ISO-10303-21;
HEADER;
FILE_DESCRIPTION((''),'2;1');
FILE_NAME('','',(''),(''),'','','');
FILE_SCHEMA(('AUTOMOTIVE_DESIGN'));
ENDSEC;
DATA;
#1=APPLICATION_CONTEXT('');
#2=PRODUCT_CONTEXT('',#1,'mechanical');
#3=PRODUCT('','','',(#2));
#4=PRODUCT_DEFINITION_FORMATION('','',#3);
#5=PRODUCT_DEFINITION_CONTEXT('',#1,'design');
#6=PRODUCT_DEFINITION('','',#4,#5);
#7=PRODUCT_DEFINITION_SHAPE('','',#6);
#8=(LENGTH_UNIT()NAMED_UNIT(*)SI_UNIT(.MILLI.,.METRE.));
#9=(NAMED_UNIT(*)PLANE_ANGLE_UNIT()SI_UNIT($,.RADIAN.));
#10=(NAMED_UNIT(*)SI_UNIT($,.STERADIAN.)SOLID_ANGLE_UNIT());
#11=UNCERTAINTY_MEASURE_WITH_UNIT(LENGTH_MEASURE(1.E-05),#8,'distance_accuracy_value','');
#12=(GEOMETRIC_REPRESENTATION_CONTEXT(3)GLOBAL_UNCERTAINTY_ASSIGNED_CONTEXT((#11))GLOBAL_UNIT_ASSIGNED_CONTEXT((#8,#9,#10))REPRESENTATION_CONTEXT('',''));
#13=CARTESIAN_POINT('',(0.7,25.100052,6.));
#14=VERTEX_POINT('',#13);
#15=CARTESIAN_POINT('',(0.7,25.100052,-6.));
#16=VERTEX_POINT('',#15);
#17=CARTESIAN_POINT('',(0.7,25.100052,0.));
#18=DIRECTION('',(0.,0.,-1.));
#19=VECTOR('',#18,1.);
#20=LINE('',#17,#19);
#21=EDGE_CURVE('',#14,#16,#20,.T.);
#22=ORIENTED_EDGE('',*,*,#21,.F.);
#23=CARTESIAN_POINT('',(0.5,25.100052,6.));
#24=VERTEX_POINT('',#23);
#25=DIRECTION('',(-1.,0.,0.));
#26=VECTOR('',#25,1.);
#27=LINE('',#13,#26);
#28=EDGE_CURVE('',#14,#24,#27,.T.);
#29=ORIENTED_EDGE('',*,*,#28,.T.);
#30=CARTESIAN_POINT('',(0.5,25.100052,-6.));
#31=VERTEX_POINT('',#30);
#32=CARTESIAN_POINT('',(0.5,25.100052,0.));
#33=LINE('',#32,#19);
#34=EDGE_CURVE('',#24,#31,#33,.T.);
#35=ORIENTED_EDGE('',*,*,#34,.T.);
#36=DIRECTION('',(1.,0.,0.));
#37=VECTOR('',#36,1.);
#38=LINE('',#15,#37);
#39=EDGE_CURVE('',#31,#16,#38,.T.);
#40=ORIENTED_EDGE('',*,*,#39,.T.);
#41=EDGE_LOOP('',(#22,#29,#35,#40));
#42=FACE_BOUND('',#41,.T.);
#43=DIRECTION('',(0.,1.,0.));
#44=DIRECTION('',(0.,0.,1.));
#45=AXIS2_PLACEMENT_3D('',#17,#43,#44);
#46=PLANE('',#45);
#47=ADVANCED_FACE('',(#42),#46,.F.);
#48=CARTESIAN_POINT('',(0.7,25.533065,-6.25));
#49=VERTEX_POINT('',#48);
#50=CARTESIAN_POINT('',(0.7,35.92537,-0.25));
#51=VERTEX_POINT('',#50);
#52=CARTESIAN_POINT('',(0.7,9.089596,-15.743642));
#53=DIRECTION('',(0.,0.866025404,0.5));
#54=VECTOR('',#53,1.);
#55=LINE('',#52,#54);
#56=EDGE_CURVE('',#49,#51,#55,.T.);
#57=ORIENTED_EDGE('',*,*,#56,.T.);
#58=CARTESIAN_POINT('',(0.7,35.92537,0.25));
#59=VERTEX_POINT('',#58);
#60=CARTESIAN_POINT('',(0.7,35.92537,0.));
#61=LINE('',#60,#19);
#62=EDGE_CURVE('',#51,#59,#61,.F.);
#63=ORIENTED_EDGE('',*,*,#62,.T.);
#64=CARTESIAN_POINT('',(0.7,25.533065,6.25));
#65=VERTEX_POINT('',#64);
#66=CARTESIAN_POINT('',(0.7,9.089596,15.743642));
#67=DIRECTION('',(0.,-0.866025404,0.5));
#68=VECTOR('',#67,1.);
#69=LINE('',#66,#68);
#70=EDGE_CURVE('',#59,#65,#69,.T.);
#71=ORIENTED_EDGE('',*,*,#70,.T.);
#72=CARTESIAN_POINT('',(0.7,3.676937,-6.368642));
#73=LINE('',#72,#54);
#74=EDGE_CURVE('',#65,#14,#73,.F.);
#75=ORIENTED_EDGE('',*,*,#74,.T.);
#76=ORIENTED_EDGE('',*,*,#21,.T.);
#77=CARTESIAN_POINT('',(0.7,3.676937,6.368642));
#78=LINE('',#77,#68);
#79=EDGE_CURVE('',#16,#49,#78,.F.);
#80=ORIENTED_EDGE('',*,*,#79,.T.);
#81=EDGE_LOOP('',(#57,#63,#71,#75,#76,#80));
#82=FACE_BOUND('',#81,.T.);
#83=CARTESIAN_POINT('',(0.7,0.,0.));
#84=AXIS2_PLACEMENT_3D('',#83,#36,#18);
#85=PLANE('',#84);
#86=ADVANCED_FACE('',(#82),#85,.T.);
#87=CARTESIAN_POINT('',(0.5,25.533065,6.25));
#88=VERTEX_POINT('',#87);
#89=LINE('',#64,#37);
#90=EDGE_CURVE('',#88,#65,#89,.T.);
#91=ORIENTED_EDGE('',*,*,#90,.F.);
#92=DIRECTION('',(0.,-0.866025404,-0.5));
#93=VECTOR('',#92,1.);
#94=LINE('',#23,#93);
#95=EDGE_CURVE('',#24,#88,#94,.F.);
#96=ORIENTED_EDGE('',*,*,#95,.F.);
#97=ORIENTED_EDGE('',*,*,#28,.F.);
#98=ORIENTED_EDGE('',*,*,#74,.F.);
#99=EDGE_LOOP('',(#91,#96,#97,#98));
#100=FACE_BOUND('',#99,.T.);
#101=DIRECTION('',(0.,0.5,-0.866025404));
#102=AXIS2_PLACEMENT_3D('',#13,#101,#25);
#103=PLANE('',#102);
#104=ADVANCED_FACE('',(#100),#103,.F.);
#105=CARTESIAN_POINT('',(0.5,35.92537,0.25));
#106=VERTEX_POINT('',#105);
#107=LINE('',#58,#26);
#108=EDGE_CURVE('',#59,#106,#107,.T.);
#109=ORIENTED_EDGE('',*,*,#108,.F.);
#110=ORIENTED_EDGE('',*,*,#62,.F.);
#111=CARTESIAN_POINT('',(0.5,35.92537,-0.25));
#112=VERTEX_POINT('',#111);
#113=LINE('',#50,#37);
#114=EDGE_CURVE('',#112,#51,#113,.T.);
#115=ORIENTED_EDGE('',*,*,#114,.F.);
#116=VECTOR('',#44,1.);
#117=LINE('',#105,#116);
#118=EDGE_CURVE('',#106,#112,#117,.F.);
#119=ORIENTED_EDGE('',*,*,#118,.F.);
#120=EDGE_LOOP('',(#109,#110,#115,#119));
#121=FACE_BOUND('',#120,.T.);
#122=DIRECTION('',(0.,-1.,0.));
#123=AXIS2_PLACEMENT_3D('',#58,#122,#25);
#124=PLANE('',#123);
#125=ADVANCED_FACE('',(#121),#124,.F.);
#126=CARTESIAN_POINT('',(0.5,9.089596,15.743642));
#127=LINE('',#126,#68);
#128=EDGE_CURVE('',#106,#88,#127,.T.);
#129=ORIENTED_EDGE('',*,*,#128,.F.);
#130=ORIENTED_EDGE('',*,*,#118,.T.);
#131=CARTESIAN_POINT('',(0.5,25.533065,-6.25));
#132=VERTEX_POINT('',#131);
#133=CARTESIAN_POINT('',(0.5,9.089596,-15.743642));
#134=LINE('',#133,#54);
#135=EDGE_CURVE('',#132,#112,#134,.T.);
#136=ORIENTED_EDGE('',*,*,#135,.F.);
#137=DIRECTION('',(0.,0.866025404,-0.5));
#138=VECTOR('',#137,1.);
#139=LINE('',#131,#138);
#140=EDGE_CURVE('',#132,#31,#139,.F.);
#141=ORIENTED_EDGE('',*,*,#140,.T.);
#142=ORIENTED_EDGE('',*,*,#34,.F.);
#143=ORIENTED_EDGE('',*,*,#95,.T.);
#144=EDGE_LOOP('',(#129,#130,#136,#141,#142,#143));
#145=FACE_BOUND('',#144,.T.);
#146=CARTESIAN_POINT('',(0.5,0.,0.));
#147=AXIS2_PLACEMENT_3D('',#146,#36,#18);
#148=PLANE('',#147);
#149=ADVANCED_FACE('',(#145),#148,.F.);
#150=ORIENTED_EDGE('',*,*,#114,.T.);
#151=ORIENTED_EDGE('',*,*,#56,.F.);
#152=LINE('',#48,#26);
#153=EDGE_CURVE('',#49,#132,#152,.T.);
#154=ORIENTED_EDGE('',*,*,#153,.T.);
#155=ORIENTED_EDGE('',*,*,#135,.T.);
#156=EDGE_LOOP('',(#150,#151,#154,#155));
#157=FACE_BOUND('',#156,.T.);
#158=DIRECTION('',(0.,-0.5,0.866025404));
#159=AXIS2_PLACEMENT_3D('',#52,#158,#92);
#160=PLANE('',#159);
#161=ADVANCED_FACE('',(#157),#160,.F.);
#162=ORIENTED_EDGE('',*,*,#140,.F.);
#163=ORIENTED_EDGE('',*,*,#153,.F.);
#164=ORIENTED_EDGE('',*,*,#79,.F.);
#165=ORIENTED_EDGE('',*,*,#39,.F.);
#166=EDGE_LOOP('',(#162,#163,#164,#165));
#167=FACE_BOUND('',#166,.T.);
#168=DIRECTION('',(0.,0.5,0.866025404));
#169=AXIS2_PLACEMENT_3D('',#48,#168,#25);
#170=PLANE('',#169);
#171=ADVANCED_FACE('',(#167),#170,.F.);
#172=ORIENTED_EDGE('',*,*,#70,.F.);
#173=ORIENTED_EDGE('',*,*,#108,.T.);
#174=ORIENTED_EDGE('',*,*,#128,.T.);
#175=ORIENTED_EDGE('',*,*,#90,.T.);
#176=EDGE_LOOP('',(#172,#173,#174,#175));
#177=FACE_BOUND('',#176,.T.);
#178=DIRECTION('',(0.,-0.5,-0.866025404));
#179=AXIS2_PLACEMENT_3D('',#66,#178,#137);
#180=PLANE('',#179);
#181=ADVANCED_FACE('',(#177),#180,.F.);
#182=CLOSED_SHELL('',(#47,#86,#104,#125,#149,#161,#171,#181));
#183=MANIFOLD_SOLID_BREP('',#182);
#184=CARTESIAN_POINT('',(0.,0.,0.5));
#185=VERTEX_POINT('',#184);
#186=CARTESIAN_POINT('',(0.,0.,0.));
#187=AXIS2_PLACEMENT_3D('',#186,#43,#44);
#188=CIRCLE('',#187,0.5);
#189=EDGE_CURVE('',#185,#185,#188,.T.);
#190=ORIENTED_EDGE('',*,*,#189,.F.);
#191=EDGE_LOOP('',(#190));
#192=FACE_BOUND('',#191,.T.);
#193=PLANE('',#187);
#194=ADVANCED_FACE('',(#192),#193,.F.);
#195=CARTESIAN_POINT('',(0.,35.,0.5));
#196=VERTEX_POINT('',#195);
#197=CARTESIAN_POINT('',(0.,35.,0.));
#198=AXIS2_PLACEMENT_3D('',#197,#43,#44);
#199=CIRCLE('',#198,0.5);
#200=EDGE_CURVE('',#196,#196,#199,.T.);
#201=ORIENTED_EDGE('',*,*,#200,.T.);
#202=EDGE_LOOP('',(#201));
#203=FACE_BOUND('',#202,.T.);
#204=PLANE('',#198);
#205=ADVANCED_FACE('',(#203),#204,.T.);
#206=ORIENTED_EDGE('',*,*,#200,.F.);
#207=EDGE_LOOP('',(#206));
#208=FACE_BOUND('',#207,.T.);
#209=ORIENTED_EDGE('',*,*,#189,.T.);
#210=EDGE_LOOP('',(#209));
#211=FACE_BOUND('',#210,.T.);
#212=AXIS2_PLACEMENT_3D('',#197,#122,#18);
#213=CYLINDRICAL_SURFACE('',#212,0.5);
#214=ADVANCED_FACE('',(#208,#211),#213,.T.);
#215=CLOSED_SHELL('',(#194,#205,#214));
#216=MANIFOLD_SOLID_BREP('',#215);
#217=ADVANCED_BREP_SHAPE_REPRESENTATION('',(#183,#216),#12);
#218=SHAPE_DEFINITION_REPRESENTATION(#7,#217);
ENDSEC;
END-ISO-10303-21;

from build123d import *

# Parameters (mm, degrees)
SKETCH1_R            = 0.5
BOSS_EXTRUDE1_DEPTH  = 35
BOSS_EXTRUDE2_DEPTH  = 0.2
CHAMFER1_SIZE        = 0.5
CHAMFER1_EDGE_2_SIZE = 0.5
CHAMFER2_SIZE        = 0.5


with BuildPart() as part:
    # Sketch1 → Boss-Extrude1 (new body)
    with BuildSketch(Plane(origin=(0, 0, 0), x_dir=(1, 0, 0), z_dir=(0, 1, 0))):
        with Locations(Location((0, 0, 0), (0, 0, 270))):
            Circle(SKETCH1_R)
    extrude(amount=BOSS_EXTRUDE1_DEPTH)


with BuildPart() as body_2:
    # Sketch2 → Boss-Extrude2 (new body)
    with BuildSketch(Plane(origin=(0.5, 0, 0), x_dir=(0, 0, -1), z_dir=(1, 0, 0))):
        Polygon((6.5, 25.100052456), (0, 36.358382705), (-6.5, 25.100052456), align=None)
    extrude(amount=BOSS_EXTRUDE2_DEPTH)

    # Chamfer1
    chamfer1_edges = [body_2.edges().sort_by_distance(p)[0] for p in [
        (0.6, 25.100052456, -6.5),
    ]]
    chamfer(chamfer1_edges, length=CHAMFER1_SIZE)

    # Chamfer1 edge 2
    chamfer1_edge_2_edges = [body_2.edges().sort_by_distance(p)[0] for p in [
        (0.6, 25.100052456, 6.5),
    ]]
    chamfer(chamfer1_edge_2_edges, length=CHAMFER1_EDGE_2_SIZE)

    # Chamfer2
    chamfer2_edges = [body_2.edges().sort_by_distance(p)[0] for p in [
        (0.6, 36.358382705, 0),
    ]]
    chamfer(chamfer2_edges, length=CHAMFER2_SIZE)


solid = Compound([part.part, body_2.part])
